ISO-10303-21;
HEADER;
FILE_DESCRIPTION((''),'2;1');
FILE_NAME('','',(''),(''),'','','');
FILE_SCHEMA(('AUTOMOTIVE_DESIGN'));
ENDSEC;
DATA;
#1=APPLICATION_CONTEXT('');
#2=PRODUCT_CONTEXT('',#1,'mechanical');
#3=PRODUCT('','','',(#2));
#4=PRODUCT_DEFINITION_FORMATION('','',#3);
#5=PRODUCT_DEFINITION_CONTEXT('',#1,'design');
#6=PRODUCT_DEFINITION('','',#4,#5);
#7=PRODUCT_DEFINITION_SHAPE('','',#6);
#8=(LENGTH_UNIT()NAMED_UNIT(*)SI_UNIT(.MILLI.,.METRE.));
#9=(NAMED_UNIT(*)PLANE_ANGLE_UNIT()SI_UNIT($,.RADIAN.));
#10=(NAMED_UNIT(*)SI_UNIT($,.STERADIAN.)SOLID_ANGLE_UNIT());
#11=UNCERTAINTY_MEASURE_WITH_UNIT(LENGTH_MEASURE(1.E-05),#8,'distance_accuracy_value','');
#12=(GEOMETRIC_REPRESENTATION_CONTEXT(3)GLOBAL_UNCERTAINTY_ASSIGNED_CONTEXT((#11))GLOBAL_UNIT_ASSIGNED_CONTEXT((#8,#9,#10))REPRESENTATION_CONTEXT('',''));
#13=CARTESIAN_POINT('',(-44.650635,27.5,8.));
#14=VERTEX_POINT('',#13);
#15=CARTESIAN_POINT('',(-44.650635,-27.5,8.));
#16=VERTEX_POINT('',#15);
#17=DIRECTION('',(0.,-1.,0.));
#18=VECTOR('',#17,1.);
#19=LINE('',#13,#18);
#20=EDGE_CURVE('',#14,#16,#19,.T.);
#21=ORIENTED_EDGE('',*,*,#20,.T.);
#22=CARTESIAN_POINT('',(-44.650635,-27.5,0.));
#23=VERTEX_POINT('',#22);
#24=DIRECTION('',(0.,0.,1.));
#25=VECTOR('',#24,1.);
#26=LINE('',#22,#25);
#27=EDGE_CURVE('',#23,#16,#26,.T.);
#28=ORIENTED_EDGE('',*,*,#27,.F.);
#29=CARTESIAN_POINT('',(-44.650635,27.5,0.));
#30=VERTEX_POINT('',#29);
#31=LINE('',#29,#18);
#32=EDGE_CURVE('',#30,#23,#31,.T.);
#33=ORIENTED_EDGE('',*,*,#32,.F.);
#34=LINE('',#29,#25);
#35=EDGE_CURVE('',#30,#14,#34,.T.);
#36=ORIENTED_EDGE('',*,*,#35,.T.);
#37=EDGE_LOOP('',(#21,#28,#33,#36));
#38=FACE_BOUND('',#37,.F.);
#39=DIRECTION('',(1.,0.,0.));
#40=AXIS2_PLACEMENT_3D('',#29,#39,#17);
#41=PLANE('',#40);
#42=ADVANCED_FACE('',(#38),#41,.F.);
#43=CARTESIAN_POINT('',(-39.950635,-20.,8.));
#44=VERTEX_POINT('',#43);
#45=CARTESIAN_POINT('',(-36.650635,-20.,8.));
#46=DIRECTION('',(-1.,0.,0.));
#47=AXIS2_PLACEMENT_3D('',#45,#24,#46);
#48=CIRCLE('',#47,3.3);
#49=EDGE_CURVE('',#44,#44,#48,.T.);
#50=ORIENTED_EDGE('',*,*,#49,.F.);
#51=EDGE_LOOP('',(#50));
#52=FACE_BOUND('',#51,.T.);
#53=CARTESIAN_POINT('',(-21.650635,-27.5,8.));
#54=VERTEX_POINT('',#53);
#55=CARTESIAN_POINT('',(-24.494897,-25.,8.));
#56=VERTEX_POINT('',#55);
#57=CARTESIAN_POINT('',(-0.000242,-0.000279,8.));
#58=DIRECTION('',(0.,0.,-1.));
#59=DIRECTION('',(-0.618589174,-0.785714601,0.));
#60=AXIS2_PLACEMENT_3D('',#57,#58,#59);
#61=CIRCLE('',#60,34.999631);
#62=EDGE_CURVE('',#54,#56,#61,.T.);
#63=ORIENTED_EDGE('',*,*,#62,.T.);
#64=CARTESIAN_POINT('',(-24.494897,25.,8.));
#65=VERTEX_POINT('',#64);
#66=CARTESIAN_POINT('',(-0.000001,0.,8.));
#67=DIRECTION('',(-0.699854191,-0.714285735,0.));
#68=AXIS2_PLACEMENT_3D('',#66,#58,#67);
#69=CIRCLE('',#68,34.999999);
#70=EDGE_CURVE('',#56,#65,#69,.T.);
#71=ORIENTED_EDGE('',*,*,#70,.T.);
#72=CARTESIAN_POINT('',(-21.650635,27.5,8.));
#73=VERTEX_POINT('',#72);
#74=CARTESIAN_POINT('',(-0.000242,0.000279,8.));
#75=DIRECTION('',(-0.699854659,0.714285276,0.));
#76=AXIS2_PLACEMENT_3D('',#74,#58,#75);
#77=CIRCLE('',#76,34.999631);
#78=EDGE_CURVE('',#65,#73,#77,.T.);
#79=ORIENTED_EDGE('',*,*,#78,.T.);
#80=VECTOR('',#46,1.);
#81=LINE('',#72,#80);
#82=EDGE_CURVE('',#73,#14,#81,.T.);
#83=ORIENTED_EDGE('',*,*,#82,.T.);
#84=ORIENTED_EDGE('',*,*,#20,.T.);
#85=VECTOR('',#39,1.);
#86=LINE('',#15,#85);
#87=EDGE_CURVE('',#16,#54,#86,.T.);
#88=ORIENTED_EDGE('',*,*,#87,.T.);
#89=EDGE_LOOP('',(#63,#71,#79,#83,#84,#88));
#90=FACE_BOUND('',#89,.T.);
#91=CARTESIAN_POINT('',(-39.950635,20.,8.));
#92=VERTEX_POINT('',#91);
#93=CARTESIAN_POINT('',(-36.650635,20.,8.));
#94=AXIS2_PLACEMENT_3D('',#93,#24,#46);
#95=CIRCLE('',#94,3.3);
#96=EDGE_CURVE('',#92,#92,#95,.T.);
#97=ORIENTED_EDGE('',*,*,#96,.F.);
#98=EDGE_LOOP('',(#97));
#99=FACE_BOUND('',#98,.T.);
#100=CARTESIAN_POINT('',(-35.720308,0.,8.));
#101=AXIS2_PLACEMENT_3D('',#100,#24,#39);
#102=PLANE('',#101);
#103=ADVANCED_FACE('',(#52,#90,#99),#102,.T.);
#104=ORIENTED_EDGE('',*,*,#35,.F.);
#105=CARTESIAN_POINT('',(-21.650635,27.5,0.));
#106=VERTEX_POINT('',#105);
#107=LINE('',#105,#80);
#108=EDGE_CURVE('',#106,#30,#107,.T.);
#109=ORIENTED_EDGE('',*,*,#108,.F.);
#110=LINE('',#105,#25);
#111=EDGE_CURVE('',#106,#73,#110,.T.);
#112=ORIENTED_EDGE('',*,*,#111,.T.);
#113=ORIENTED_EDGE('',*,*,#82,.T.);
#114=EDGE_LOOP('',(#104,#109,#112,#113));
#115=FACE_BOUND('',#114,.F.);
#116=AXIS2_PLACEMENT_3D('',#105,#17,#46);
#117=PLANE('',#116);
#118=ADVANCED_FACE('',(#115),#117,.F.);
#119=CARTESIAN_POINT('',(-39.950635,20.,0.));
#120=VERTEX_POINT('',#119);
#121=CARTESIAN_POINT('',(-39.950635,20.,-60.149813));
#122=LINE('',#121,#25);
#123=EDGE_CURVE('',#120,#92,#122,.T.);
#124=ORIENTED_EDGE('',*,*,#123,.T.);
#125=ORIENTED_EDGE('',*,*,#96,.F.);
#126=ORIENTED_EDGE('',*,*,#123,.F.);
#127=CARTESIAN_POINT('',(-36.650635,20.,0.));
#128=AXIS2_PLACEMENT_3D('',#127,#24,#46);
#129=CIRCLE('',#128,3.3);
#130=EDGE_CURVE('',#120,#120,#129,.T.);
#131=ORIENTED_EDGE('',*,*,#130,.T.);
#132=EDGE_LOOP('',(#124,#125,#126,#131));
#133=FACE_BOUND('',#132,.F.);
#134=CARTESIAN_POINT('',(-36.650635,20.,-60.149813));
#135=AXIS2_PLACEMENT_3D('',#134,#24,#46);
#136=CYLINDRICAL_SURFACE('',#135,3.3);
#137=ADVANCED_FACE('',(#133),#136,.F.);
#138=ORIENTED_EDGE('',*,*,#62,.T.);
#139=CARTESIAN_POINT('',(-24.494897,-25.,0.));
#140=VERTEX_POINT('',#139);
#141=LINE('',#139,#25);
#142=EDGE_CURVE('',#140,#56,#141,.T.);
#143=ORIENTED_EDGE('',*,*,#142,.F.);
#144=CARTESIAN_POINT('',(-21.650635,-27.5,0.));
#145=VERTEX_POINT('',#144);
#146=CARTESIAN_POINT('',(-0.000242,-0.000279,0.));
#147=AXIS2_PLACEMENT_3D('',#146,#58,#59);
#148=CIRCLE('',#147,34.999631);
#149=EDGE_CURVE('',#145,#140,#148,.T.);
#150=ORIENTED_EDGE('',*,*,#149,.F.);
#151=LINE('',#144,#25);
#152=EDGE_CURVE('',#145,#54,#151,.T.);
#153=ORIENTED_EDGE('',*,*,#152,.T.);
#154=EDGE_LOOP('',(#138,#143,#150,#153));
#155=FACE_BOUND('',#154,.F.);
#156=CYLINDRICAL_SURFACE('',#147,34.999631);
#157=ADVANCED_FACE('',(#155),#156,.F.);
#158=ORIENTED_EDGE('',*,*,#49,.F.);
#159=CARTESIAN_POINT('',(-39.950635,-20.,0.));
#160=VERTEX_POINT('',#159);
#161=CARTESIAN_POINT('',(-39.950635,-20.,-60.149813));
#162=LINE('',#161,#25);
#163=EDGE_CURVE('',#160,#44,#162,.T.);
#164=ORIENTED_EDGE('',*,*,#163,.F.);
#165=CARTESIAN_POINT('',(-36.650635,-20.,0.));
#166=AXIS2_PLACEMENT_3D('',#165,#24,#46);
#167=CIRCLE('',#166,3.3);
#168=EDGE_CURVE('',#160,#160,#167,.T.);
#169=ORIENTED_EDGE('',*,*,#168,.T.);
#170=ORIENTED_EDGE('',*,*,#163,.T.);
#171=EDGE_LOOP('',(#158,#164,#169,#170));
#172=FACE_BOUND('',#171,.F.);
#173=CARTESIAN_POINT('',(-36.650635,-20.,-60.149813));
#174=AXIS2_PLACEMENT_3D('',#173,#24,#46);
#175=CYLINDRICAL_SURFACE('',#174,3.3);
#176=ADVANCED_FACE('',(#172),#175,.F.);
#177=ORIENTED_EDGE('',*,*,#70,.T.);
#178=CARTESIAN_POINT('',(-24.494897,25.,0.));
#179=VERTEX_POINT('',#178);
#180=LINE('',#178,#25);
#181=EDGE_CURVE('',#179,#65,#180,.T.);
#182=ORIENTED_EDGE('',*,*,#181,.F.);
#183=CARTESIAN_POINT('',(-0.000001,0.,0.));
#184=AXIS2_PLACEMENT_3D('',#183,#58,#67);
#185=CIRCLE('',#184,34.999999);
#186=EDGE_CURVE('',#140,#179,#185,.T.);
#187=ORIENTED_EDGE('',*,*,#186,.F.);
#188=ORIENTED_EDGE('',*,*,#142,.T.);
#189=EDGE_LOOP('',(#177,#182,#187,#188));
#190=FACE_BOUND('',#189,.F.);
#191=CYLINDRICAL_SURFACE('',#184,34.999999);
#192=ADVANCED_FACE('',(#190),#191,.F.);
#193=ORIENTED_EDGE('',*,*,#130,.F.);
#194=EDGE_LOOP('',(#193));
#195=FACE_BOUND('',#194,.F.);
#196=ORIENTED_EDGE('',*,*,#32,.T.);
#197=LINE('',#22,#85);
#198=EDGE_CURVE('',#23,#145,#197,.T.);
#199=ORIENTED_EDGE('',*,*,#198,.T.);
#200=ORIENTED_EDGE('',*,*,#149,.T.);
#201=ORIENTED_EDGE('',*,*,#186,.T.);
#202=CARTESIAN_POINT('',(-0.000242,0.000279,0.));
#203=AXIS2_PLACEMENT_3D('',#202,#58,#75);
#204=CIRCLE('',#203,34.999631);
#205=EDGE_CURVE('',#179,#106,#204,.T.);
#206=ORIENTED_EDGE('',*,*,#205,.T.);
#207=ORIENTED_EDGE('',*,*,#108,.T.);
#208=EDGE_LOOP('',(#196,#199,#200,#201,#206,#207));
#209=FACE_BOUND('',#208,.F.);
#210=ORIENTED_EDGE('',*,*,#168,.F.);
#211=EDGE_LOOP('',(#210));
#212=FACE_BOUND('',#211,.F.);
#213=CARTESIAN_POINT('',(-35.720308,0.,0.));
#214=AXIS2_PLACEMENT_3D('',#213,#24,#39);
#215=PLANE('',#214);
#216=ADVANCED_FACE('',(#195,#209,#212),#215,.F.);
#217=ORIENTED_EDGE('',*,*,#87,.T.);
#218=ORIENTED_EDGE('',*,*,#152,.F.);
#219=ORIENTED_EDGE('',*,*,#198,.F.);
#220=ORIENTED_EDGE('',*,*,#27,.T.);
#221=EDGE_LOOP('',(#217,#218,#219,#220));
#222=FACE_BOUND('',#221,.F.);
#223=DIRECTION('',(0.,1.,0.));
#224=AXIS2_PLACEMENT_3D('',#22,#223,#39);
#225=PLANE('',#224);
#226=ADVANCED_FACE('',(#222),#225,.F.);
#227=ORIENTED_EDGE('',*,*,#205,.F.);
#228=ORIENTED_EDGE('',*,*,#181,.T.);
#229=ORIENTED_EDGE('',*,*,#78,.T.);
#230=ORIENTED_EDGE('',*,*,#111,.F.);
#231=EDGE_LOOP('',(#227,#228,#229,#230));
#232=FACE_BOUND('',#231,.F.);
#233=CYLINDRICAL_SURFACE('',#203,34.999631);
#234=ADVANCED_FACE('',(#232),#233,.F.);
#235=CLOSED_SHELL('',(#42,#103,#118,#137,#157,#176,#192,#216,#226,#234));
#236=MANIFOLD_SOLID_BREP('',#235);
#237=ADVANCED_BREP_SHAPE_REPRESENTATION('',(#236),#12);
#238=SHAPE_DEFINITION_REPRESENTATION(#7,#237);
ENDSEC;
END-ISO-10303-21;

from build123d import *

# Parameters (mm, degrees)
F1_DEPTH = 8
F3_D     = 6.6


with BuildPart() as f1:
    # F0 (on Top) → F1 (new body)
    with BuildSketch(Plane.XY):
        with BuildLine():
            ThreePointArc((-24.494897, -25), (-35, 0), (-24.494897, 25))
            ThreePointArc((-24.494897, 25), (-23.106602, 26.288495), (-21.650635, 27.5))
            Line((-21.650635, 27.5), (-44.650635, 27.5))
            Line((-44.650635, 27.5), (-44.650635, -27.5))
            Line((-44.650635, -27.5), (-21.650635, -27.5))
            ThreePointArc((-21.650635, -27.5), (-23.106602, -26.288495), (-24.494897, -25))
        make_face()
    extrude(amount=F1_DEPTH)

    # F3 (through all)
    with Locations(Plane(origin=(0, 0, 0), x_dir=(1, 0, 0), z_dir=(0, 0, -1))):
        with Locations((-36.650635, 20), (-36.650635, -20)):
            Hole(F3_D / 2)


solid = f1.part
